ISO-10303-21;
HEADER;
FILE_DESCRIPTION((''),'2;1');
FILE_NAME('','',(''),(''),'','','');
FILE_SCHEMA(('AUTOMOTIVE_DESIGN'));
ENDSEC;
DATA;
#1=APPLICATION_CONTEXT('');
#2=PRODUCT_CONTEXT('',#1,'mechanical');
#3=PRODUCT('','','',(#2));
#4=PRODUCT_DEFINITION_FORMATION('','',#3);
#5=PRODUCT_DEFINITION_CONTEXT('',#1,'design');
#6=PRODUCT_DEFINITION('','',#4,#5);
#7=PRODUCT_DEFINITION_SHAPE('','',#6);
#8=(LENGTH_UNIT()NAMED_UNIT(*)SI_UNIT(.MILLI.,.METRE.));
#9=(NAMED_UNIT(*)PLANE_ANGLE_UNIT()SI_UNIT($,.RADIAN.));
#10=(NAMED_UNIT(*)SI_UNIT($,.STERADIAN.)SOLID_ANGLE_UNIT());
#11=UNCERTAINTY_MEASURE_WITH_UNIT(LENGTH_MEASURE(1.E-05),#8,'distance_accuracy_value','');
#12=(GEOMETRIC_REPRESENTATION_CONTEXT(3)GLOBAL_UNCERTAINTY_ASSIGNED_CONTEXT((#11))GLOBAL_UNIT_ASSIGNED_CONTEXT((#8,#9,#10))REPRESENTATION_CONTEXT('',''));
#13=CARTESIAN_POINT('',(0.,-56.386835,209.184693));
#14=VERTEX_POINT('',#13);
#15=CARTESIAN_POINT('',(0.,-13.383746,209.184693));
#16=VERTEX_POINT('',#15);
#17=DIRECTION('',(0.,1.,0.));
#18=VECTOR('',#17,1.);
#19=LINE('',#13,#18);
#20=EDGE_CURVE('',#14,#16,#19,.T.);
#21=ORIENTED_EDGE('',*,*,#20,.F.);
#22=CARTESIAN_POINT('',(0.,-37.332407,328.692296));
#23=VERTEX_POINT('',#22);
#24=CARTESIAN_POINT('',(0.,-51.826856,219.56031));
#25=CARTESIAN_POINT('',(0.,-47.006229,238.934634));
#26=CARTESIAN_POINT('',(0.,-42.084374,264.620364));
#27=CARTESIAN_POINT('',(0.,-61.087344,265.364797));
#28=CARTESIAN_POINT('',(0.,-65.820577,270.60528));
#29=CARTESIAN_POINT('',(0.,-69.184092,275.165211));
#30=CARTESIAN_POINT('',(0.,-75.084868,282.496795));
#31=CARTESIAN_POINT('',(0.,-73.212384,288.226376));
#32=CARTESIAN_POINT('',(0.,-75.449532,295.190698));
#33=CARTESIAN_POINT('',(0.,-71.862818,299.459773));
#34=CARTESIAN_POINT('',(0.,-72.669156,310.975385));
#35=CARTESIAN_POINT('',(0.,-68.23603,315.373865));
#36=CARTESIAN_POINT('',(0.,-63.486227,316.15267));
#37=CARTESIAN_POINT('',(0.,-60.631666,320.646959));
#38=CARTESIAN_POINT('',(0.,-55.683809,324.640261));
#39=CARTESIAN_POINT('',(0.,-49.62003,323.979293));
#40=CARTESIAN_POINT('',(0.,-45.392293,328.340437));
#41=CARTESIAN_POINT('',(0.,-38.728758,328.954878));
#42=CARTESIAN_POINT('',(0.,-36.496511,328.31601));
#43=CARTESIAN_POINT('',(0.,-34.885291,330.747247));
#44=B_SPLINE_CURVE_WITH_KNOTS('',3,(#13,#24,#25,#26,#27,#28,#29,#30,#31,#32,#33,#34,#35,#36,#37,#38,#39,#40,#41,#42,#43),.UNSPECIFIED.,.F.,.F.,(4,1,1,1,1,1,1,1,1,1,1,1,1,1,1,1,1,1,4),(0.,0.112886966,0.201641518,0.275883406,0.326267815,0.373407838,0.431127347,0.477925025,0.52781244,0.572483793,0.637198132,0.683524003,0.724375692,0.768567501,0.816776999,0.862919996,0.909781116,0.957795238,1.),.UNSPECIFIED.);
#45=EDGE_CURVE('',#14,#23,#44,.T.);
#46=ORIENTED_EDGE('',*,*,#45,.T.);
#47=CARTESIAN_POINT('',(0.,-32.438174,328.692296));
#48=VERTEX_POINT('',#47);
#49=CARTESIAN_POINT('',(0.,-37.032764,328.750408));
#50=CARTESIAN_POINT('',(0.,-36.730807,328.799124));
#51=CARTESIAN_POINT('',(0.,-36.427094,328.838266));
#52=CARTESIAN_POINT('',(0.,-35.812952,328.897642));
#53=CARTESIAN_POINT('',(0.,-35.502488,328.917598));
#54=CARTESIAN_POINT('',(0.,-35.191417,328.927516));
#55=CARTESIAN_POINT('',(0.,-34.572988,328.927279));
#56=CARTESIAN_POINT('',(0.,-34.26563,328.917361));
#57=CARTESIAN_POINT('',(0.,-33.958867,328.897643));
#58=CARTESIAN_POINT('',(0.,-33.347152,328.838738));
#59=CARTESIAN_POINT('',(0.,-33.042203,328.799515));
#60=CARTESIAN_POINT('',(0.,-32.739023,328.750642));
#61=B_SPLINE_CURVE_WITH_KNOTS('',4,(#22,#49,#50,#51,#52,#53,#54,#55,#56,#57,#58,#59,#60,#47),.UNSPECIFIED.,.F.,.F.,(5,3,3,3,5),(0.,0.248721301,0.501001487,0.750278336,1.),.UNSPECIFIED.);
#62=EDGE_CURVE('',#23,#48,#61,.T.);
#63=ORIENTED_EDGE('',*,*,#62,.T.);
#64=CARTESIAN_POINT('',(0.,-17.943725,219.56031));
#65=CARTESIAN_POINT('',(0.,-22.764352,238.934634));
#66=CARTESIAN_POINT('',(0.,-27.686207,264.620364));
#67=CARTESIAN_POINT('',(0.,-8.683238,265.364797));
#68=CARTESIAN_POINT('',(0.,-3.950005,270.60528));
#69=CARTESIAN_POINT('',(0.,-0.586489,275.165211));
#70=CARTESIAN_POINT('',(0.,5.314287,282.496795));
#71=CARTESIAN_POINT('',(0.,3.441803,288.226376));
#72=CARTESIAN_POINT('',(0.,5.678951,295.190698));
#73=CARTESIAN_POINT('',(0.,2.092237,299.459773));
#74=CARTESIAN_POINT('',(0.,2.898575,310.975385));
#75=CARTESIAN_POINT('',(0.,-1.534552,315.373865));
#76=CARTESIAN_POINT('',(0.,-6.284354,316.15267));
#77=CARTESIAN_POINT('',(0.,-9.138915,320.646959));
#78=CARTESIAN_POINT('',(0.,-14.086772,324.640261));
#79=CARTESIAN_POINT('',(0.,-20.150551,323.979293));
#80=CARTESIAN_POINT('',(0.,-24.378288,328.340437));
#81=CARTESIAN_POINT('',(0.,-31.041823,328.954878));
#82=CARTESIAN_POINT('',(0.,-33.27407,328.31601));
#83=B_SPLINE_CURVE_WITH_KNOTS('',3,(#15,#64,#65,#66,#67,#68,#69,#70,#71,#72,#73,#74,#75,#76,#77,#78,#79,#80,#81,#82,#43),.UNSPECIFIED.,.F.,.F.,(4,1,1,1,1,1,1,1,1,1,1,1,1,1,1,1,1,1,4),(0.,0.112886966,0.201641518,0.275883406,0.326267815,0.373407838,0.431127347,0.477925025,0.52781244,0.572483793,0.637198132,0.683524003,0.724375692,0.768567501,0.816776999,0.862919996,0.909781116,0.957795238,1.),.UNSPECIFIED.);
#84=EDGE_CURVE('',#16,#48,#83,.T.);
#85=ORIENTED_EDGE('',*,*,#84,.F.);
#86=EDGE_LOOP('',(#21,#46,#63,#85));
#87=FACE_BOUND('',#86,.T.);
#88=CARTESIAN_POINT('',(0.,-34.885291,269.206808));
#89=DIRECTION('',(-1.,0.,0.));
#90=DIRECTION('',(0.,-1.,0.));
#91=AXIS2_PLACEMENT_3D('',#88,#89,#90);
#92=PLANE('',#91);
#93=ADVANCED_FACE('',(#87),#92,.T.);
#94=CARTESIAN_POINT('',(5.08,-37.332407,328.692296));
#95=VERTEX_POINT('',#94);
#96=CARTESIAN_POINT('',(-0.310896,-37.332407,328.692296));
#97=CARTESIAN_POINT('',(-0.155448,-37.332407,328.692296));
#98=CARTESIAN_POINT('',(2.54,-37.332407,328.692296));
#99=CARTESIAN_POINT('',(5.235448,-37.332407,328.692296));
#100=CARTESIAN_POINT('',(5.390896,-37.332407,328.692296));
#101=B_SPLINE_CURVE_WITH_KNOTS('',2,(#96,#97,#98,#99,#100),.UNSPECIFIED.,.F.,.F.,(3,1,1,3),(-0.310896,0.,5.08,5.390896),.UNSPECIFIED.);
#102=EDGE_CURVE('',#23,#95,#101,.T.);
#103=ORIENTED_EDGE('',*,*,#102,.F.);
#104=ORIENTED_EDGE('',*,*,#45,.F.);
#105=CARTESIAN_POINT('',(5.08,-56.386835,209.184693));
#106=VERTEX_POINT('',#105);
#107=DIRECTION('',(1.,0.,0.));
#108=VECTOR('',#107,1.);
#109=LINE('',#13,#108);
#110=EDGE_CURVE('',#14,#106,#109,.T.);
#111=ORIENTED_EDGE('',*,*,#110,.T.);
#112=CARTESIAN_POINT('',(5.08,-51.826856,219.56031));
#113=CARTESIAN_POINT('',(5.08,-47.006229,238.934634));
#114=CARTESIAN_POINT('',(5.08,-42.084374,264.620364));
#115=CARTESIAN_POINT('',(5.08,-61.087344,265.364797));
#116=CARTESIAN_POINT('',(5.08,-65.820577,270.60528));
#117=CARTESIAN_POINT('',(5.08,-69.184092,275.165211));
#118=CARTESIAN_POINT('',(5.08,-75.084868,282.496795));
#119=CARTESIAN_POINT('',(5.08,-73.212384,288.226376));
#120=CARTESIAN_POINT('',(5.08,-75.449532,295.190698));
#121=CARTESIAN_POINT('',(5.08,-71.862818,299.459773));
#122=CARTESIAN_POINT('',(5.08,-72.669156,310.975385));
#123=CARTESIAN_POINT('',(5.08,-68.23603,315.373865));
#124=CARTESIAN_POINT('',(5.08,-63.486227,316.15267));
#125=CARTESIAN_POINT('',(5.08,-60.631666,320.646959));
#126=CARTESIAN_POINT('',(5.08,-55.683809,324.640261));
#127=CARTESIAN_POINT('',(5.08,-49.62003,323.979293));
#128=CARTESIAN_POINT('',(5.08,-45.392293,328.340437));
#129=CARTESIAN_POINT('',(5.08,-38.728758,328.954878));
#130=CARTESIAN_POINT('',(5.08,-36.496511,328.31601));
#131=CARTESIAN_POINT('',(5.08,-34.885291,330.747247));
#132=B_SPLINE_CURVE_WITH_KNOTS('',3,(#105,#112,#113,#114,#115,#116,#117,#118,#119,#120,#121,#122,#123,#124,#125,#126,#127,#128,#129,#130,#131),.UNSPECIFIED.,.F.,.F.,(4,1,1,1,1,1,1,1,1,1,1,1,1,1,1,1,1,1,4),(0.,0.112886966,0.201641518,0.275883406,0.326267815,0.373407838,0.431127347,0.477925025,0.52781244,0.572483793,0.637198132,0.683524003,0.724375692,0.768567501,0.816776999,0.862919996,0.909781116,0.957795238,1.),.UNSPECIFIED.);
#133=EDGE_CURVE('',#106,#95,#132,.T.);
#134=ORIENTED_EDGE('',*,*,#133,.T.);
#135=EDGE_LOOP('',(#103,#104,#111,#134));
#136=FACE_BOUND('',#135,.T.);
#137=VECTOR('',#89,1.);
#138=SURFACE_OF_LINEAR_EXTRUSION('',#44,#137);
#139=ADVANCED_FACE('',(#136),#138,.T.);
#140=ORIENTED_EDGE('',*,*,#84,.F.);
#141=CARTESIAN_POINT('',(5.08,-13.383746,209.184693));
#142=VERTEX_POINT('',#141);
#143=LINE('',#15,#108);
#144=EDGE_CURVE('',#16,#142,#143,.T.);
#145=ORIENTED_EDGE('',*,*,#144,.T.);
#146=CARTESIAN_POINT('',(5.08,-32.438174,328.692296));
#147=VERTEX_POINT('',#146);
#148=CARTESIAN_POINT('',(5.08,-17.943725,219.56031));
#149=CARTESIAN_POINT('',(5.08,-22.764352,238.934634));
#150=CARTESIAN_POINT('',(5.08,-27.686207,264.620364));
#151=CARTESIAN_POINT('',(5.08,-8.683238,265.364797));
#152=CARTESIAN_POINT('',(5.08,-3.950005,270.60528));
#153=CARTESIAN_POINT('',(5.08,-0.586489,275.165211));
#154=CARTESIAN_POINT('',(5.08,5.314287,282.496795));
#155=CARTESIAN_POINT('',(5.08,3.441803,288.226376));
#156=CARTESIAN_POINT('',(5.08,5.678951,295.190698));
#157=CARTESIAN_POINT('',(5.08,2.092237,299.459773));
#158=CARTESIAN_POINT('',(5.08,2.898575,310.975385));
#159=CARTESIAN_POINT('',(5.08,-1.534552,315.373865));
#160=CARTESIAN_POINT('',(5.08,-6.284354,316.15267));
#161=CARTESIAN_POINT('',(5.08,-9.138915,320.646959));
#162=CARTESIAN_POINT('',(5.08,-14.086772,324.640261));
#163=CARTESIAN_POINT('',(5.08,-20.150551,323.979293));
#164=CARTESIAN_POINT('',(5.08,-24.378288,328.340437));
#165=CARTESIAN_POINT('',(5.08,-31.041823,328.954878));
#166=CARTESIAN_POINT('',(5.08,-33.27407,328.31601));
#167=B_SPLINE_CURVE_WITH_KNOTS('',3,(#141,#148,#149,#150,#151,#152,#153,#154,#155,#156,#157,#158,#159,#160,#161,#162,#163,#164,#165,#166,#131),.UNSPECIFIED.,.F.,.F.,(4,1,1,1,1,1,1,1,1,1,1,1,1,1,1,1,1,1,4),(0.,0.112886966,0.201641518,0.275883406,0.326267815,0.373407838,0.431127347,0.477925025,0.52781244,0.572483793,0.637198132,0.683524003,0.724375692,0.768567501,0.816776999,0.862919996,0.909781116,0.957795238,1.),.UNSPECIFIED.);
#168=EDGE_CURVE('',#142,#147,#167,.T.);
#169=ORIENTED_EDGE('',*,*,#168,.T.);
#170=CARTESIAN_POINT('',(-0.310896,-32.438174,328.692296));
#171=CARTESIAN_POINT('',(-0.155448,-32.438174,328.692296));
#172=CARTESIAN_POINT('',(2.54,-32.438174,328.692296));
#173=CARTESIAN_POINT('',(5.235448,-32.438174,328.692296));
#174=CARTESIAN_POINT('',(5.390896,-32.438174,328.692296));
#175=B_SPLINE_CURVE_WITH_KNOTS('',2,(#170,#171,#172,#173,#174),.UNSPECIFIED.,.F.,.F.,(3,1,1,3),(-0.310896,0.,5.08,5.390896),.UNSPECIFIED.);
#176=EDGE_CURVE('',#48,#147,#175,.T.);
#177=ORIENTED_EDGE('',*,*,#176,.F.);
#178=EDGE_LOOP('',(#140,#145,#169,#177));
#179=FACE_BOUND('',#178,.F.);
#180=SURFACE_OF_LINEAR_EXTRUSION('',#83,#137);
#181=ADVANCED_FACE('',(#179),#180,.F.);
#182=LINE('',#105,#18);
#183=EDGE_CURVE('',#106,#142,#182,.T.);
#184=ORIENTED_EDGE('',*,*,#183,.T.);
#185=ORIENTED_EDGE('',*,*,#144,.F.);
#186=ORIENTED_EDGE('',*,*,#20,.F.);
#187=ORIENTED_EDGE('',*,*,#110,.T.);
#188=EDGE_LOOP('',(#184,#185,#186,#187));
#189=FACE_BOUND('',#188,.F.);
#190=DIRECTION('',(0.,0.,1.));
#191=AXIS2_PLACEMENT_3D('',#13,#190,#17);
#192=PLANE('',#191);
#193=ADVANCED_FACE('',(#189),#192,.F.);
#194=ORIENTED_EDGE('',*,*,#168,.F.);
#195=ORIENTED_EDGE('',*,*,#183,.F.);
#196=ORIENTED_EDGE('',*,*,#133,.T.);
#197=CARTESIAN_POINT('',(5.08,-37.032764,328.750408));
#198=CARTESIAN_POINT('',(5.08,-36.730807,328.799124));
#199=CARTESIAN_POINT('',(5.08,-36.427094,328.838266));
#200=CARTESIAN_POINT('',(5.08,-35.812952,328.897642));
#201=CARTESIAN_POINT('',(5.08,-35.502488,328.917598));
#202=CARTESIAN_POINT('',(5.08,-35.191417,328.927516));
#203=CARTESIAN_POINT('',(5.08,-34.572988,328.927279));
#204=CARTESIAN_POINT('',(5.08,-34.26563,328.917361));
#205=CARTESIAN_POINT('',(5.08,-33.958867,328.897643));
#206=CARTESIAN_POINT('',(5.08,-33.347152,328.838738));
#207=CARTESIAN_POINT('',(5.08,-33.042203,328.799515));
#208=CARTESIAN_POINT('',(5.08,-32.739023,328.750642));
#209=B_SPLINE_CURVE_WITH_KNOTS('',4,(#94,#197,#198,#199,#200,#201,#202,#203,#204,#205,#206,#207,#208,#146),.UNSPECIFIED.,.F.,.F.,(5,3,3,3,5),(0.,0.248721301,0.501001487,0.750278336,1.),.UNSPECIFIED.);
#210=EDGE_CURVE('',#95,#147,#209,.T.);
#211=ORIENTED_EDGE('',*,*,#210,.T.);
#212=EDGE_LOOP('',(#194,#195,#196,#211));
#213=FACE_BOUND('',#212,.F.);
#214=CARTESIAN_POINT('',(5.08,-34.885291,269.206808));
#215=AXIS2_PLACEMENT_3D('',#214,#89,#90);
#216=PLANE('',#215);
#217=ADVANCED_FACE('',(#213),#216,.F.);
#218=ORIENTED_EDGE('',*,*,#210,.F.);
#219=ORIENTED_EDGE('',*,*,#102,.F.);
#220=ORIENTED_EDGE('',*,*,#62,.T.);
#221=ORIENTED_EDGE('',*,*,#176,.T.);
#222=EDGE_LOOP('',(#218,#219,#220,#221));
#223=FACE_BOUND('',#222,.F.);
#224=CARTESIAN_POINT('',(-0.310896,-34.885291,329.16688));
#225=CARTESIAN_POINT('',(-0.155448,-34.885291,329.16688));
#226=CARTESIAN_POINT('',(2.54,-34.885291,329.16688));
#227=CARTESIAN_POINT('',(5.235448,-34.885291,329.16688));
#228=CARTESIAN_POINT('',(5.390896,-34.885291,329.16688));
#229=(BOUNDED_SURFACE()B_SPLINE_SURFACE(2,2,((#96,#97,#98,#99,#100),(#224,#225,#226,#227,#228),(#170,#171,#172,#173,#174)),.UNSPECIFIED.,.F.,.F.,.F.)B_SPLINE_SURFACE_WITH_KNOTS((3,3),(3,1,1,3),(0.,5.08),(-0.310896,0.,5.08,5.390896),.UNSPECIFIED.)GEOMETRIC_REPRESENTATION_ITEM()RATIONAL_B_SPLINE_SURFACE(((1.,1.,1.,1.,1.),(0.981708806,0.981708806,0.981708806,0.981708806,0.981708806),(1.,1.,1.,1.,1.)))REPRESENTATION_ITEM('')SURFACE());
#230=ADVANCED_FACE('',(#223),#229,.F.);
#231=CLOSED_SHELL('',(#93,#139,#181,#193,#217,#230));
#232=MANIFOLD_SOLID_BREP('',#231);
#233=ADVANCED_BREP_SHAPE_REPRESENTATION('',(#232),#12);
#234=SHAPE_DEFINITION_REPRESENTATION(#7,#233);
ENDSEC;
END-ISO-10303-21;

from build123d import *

# Parameters (mm, degrees)
F1_DEPTH = 5.08
F2_R     = 12.8532719159


with BuildPart() as f1:
    # F0 (on Right) → F1 (new body)
    with BuildSketch(Plane.YZ):
        with BuildLine():
            add(Edge.make_bspline(
                [(-56.3868350771, 209.1846928061), (-51.8268564056, 219.5603100587), (-47.0062290994, 238.9346337297), (-42.0843738315, 264.6203643523), (-61.087343567, 265.3647970334), (-65.8205767265, 270.6052797694), (-69.1840919723, 275.1652114785), (-75.0848681112, 282.4967945021), (-73.2123842871, 288.2263760196), (-75.4495318394, 295.1906984334), (-71.8628181972, 299.4597727365), (-72.6691563028, 310.975384626), (-68.2360297863, 315.3738648274), (-63.4862273214, 316.1526702041), (-60.6316662771, 320.64695863), (-55.6838088677, 324.6402614316), (-49.6200300411, 323.9792930946), (-45.3922929994, 328.3404371229), (-38.7287579093, 328.9548784091), (-36.4965110178, 328.3160104154), (-34.8852906449, 330.7472467422)],
                knots=[0, 0, 0, 0, 0.1128869656, 0.2016415181, 0.2758834055, 0.3262678148, 0.3734078377, 0.4311273465, 0.4779250255, 0.5278124403, 0.5724837934, 0.6371981321, 0.6835240034, 0.724375692, 0.7685675005, 0.8167769994, 0.8629199964, 0.9097811158, 0.9577952383, 1, 1, 1, 1], degree=3))
            Line((-56.3868350771, 209.1846928061), (-45.636062861, 209.1846928061))
            Line((-45.636062861, 209.1846928061), (-24.1345184288, 209.1846928061))
            Line((-24.1345184288, 209.1846928061), (-13.3837462126, 209.1846928061))
            add(Edge.make_bspline(
                [(-13.3837462126, 209.1846928061), (-17.9437248842, 219.5603100587), (-22.7643521904, 238.9346337297), (-27.6862074583, 264.6203643523), (-8.6832377227, 265.3647970334), (-3.9500045633, 270.6052797694), (-0.5864893174, 275.1652114785), (5.3142868214, 282.4967945021), (3.4418029973, 288.2263760196), (5.6789505496, 295.1906984334), (2.0922369074, 299.4597727365), (2.898575013, 310.975384626), (-1.5345515035, 315.3738648274), (-6.2843539684, 316.1526702041), (-9.1389150127, 320.64695863), (-14.0867724221, 324.6402614316), (-20.1505512487, 323.9792930946), (-24.3782882904, 328.3404371229), (-31.0418233805, 328.9548784091), (-33.274070272, 328.3160104154), (-34.8852906449, 330.7472467422)],
                knots=[0, 0, 0, 0, 0.1128869656, 0.2016415181, 0.2758834055, 0.3262678148, 0.3734078377, 0.4311273465, 0.4779250255, 0.5278124403, 0.5724837934, 0.6371981321, 0.6835240034, 0.724375692, 0.7685675005, 0.8167769994, 0.8629199964, 0.9097811158, 0.9577952383, 1, 1, 1, 1], degree=3))
        make_face()
    extrude(amount=F1_DEPTH)

    # F2
    f2_edges = [f1.edges().sort_by_distance(p)[0] for p in [
        (2.54, -34.885291, 330.747247),
    ]]
    fillet(f2_edges, radius=F2_R)


solid = f1.part
